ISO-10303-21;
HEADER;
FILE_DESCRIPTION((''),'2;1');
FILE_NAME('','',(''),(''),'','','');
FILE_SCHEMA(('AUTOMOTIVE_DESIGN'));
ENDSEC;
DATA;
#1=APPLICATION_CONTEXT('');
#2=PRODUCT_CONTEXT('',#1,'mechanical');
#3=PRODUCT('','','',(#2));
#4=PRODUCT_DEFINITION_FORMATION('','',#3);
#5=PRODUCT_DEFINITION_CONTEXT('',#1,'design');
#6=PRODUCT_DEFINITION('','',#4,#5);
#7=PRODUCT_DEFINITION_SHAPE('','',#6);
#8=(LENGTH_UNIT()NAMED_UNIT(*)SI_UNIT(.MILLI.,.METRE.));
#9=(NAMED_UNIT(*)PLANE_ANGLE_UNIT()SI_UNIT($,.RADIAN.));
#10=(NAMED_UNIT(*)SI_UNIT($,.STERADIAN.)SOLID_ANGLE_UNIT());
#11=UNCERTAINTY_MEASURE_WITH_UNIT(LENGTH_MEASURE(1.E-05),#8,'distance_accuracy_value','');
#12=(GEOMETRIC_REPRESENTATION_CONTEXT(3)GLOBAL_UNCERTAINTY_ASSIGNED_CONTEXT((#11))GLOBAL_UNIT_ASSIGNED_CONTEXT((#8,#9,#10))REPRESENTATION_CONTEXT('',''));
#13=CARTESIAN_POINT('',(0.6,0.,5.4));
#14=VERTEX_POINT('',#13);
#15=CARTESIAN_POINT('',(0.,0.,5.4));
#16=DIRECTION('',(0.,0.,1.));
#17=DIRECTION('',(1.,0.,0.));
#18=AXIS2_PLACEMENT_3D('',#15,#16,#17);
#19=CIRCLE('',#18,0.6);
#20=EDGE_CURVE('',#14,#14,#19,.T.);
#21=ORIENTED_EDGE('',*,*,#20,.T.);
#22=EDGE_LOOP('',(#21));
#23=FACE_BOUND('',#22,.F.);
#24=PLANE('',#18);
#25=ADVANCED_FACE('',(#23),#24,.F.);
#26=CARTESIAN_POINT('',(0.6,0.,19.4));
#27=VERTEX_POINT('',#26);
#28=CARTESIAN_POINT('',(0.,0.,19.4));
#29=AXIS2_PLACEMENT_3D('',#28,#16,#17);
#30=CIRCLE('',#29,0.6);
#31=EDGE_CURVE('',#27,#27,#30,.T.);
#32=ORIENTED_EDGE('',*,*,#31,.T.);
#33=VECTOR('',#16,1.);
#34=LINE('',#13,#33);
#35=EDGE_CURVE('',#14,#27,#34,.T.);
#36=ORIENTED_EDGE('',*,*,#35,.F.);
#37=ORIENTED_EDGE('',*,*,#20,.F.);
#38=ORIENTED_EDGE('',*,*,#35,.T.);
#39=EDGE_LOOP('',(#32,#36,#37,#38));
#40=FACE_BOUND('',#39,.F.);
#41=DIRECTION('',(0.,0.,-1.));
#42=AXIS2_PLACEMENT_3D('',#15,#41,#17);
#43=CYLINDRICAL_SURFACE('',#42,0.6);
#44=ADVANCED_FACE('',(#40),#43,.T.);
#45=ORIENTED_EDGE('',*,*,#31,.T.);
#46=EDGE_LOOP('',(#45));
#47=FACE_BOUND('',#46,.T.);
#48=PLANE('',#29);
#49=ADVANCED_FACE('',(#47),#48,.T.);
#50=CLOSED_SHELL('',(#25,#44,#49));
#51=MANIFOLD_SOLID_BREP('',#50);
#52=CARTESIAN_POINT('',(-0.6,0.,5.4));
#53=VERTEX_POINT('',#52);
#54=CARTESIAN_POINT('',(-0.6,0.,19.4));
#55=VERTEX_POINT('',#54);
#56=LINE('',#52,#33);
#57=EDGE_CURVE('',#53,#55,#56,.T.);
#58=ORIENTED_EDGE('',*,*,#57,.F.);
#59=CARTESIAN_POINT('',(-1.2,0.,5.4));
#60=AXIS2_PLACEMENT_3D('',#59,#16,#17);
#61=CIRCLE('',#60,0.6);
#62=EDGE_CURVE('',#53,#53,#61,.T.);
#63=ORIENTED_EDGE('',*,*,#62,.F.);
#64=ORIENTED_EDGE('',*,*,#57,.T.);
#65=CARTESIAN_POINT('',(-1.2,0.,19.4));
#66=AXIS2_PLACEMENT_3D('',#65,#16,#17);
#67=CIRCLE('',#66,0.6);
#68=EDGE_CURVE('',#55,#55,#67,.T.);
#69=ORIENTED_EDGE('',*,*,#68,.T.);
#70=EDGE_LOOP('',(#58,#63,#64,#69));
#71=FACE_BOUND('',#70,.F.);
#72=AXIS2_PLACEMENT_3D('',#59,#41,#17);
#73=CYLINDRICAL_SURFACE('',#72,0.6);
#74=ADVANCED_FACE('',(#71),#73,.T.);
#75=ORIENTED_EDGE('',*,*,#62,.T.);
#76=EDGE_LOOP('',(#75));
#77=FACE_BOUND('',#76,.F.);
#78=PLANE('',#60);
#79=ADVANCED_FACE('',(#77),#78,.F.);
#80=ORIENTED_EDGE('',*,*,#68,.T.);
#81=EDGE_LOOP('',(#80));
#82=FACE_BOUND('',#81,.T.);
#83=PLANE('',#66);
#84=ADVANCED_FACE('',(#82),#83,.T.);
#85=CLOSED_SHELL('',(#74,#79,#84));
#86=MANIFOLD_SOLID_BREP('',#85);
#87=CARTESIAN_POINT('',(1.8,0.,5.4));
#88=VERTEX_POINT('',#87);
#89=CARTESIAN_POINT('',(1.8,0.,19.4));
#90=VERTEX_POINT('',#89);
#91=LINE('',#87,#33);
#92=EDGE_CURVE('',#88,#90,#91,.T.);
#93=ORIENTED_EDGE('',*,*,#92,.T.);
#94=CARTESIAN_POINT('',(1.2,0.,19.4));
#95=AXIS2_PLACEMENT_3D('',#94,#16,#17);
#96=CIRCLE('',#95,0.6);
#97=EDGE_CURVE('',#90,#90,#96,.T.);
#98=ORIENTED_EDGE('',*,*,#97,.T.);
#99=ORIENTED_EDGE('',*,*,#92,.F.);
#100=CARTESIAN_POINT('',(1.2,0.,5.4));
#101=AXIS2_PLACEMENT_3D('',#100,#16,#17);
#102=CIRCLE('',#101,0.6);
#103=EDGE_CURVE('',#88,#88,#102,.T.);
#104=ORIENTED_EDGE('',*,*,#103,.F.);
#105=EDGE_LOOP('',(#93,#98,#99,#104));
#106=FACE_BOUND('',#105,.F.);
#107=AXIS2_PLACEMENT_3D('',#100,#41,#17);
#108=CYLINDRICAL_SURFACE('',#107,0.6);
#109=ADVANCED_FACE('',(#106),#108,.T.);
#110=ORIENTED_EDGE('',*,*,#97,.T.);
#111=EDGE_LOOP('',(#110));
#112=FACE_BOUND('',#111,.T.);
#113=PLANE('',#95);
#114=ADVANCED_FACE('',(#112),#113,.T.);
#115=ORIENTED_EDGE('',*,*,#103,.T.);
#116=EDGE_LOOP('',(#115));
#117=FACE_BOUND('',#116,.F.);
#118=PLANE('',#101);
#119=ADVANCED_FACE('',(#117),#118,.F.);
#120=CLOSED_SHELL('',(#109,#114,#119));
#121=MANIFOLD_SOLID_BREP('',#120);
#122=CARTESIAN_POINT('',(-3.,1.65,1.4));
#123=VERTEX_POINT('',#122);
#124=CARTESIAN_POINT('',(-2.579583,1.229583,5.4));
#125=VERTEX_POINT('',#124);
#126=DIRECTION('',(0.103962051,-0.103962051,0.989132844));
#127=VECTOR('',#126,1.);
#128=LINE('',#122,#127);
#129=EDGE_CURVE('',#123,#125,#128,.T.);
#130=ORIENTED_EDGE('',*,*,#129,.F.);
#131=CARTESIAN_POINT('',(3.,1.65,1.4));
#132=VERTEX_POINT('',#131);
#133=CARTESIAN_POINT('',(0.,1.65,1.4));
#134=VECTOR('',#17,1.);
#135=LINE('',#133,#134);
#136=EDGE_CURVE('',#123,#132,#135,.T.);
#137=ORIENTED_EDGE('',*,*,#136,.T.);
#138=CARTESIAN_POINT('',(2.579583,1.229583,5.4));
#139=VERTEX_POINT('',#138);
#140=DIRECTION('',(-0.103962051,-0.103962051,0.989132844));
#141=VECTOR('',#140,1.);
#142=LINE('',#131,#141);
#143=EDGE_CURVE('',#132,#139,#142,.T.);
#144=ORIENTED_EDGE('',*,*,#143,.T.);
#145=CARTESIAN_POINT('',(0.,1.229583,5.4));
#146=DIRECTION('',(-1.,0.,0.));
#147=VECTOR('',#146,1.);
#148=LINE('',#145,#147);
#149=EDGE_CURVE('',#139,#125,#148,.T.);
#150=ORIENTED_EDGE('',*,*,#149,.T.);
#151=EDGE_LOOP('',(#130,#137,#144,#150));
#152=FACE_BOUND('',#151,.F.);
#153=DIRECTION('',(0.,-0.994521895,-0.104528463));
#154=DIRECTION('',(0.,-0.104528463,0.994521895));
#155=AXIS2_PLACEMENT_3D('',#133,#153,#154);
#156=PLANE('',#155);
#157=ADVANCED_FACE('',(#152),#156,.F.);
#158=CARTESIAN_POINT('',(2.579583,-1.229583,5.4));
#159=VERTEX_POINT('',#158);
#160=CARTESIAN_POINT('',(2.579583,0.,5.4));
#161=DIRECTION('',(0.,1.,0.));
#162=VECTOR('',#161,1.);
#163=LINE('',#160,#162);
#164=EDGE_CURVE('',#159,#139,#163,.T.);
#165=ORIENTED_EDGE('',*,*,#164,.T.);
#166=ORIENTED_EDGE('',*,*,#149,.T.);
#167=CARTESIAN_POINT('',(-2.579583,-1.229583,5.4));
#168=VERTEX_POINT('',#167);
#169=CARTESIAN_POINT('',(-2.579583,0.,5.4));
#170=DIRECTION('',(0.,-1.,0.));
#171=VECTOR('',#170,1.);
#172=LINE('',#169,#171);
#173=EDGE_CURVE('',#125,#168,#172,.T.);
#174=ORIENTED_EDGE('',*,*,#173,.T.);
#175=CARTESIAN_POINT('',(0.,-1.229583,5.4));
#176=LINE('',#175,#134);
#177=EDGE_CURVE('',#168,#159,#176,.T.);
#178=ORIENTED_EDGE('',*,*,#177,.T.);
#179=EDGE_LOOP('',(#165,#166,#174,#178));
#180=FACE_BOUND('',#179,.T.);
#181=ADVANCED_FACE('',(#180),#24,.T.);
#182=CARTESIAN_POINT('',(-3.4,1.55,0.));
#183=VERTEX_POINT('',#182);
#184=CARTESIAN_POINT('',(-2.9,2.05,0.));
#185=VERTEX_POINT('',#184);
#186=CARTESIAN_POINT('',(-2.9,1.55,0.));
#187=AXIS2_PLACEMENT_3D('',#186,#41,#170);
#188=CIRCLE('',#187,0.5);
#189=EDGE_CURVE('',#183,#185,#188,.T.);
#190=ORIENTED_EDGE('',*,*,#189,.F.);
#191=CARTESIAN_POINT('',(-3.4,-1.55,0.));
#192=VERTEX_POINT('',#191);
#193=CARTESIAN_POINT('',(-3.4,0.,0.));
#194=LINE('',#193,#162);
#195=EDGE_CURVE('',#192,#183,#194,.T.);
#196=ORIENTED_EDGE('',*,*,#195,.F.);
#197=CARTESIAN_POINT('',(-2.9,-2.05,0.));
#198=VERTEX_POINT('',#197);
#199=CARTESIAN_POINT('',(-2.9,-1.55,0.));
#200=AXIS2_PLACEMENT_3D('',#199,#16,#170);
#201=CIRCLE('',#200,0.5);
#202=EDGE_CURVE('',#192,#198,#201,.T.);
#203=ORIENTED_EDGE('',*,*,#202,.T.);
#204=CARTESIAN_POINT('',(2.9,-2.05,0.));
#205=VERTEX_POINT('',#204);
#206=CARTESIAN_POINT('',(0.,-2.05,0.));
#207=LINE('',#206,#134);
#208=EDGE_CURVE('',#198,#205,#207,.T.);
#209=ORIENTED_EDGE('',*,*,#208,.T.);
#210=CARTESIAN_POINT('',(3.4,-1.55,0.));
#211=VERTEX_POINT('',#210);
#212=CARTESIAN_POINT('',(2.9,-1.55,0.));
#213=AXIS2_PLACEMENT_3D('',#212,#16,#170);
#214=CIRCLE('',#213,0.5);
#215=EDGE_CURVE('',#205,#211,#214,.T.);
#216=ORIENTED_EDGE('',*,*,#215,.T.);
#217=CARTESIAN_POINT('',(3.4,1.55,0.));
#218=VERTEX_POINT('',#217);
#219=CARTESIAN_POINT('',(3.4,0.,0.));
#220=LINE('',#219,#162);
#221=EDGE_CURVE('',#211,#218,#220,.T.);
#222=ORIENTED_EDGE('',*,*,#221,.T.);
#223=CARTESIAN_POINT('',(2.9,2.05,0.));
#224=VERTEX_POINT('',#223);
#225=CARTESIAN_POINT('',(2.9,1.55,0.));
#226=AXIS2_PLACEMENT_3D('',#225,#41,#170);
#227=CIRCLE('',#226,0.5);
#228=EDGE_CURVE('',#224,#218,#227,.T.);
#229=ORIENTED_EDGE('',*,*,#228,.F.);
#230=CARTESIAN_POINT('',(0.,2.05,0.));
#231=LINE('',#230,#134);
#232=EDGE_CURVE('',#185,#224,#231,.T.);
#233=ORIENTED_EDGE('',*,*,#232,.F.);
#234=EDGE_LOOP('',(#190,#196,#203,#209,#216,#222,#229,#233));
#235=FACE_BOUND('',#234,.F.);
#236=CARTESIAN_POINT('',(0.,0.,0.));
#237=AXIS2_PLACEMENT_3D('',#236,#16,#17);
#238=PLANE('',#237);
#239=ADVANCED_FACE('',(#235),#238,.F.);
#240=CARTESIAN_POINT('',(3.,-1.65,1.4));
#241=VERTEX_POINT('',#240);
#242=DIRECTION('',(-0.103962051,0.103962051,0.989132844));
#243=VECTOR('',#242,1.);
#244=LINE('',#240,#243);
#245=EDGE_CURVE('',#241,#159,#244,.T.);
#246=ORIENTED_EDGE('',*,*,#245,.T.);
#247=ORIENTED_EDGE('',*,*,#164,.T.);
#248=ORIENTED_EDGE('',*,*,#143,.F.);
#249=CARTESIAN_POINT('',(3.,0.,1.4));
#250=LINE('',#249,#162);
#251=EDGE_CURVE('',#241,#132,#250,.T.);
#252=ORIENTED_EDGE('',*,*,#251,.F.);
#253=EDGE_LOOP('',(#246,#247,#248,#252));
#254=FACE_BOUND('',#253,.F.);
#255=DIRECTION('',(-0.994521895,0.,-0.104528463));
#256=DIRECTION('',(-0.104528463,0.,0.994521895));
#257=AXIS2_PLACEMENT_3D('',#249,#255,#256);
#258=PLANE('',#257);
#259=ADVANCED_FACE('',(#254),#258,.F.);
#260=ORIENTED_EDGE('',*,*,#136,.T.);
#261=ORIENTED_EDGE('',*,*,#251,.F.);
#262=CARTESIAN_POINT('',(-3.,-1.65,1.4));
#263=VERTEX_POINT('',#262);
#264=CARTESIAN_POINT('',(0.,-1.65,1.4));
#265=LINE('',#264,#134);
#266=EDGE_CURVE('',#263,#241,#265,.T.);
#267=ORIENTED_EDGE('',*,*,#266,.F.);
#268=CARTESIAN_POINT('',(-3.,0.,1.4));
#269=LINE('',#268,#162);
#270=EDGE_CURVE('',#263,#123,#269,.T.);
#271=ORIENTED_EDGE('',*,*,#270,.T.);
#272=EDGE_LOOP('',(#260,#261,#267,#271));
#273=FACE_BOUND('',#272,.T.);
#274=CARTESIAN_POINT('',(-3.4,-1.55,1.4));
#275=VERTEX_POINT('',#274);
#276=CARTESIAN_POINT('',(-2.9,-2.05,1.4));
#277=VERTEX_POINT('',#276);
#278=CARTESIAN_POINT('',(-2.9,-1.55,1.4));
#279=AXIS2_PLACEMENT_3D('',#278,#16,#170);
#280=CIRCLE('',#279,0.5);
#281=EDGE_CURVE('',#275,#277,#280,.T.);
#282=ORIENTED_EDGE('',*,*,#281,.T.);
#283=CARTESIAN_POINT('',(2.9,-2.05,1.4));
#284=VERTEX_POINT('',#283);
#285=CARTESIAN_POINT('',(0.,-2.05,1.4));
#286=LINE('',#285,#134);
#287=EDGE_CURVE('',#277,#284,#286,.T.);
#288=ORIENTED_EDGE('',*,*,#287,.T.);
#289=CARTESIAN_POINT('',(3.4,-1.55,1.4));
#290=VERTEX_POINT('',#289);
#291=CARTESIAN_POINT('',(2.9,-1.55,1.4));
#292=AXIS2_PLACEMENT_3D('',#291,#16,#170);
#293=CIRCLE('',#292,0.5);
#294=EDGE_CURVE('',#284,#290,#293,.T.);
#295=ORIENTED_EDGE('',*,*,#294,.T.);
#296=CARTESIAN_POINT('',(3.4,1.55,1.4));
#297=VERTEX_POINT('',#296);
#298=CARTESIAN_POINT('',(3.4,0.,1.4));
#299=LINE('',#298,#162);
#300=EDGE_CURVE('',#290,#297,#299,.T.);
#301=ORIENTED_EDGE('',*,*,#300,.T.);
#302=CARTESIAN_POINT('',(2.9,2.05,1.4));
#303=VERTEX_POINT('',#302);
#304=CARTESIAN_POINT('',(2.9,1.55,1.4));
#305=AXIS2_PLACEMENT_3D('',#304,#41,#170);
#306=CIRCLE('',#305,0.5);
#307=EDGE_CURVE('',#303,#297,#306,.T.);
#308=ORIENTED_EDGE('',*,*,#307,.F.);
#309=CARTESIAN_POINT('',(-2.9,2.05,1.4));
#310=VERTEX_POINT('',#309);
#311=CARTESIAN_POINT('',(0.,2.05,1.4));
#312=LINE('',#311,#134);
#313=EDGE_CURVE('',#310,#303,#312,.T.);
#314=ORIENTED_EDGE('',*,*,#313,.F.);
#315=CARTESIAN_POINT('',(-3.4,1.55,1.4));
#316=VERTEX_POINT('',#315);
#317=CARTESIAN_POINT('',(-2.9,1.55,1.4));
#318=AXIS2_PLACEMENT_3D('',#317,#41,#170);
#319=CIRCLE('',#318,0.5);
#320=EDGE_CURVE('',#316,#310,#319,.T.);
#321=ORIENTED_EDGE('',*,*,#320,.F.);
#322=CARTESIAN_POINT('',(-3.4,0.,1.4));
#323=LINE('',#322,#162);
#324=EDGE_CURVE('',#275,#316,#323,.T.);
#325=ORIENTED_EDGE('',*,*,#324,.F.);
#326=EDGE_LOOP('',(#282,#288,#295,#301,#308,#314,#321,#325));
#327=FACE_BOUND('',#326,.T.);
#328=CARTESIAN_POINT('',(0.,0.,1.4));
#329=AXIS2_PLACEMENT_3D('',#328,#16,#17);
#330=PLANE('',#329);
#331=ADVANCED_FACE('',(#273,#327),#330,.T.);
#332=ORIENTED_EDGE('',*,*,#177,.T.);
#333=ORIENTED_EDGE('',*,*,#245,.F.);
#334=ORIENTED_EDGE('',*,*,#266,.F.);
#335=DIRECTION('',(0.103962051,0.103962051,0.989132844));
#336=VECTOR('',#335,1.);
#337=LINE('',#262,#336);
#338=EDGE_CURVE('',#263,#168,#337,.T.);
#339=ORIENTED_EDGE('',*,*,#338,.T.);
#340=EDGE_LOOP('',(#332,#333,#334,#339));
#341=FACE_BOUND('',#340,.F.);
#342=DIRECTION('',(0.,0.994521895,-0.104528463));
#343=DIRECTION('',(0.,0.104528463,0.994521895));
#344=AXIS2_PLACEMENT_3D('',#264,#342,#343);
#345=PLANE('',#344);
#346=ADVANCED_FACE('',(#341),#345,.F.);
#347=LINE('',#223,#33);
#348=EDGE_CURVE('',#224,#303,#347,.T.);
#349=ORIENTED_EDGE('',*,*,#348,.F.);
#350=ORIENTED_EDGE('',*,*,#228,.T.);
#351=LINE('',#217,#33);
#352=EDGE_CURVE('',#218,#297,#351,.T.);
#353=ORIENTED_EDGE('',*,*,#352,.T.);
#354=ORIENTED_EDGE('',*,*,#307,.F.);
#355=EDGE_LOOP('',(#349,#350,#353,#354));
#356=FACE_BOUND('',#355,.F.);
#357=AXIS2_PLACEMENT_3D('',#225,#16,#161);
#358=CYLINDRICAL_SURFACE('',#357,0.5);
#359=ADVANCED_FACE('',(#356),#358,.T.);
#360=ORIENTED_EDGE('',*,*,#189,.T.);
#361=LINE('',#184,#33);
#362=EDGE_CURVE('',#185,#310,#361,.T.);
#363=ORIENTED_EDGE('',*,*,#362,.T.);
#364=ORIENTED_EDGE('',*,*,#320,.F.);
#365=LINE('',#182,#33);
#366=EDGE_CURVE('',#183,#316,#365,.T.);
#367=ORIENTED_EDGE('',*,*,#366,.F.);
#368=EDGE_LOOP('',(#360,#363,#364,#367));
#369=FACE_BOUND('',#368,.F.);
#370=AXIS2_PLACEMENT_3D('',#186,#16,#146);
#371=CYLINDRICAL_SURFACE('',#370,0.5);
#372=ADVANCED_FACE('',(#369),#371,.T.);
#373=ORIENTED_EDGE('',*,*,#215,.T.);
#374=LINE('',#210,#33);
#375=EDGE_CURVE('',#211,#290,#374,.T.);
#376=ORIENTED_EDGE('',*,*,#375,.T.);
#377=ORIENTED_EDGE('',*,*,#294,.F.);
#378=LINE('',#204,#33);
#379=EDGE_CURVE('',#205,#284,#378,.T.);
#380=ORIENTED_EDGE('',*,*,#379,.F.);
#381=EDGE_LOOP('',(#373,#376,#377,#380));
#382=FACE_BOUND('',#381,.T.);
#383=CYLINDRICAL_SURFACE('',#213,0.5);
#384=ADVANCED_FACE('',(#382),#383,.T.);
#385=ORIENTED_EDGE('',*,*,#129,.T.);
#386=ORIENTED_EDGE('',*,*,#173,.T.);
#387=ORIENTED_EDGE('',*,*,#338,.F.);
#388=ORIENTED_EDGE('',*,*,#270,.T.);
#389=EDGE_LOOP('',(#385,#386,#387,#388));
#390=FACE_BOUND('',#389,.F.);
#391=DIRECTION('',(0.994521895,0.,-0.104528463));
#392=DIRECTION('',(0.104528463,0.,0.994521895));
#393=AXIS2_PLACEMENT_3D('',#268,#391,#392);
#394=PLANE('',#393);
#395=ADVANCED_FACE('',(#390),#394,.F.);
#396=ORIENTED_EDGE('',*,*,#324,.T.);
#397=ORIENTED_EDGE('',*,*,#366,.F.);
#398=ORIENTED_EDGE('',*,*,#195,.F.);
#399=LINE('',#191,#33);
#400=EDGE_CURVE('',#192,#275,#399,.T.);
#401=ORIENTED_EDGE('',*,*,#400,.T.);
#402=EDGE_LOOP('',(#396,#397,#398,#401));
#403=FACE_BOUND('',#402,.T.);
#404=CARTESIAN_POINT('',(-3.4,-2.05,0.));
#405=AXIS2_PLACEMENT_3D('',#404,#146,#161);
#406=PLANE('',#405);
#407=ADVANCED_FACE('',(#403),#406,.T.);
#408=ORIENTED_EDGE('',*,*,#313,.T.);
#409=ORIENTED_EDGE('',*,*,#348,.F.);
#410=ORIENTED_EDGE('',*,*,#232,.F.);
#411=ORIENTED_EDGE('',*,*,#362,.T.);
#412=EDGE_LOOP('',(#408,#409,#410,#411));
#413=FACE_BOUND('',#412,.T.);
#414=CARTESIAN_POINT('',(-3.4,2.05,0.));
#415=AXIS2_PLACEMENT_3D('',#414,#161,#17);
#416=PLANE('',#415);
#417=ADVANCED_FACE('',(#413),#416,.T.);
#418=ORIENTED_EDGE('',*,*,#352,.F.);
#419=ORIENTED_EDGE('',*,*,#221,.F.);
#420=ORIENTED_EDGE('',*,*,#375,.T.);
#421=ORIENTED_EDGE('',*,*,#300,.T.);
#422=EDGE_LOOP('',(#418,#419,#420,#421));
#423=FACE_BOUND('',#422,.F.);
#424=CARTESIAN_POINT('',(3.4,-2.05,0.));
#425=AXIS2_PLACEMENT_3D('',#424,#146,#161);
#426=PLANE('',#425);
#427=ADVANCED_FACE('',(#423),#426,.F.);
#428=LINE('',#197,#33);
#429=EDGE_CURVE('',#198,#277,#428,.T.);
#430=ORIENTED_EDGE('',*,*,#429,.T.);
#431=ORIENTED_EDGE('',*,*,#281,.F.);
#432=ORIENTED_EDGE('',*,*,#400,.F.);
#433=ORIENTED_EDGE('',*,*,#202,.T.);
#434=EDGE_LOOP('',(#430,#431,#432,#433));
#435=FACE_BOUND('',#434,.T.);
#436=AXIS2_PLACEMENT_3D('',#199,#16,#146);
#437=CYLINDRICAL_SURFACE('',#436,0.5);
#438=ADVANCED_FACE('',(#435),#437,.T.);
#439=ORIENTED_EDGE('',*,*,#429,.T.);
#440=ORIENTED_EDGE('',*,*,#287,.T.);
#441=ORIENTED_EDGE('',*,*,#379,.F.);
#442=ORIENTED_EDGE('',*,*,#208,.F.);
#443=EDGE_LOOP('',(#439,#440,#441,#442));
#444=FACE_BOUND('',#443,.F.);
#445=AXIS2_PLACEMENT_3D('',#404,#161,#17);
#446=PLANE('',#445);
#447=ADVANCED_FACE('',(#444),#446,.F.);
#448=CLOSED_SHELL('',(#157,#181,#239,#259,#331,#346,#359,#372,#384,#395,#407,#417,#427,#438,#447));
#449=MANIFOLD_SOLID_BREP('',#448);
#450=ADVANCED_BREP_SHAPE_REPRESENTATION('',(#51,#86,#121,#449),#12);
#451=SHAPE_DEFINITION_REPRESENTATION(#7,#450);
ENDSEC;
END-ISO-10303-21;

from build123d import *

# Parameters (mm, degrees)
SKETCH1_W           = 6.8
SKETCH1_H           = 4.1
BOSS_EXTRUDE1_DEPTH = 1.4
SKETCH2_W           = 6
SKETCH2_H           = 3.3
BOSS_EXTRUDE2_DEPTH = 4
BOSS_EXTRUDE2_TAPER = 6
FILLET1_R           = 0.5
SKETCH3_R           = 0.6
POSITIVE_DEPTH      = 14
SKETCH4_R           = 0.6
SIGNAL_DEPTH        = 14
SKETCH5_R           = 0.6
NEGATIVE_DEPTH      = 14


with BuildPart() as part:
    # Sketch1 → Boss-Extrude1 (new body)
    with BuildSketch(Plane.XY):
        Rectangle(SKETCH1_W, SKETCH1_H)
    extrude(amount=BOSS_EXTRUDE1_DEPTH)

    # Sketch2 → Boss-Extrude2 (add)
    with BuildSketch(Plane.XY.offset(1.4)):
        Rectangle(SKETCH2_W, SKETCH2_H)
    extrude(amount=BOSS_EXTRUDE2_DEPTH, taper=BOSS_EXTRUDE2_TAPER)

    # Fillet1
    fillet1_edges = [part.edges().sort_by_distance(p)[0] for p in [
        (3.4, -2.05, 0.7),
        (-3.4, -2.05, 0.7),
        (-3.4, 2.05, 0.7),
        (3.4, 2.05, 0.7),
    ]]
    fillet(fillet1_edges, radius=FILLET1_R)


with BuildPart() as body_2:
    # Sketch3 → POSITIVE (new body)
    with BuildSketch(Plane.XY.offset(5.4)):
        Circle(SKETCH3_R)
    extrude(amount=POSITIVE_DEPTH)


with BuildPart() as body_3:
    # Sketch4 → SIGNAL (new body)
    with BuildSketch(Plane.XY.offset(5.4)):
        with Locations((1.2, 0)):
            Circle(SKETCH4_R)
    extrude(amount=SIGNAL_DEPTH)


with BuildPart() as body_4:
    # Sketch5 → NEGATIVE (new body)
    with BuildSketch(Plane.XY.offset(5.4)):
        with Locations((-1.2, 0)):
            Circle(SKETCH5_R)
    extrude(amount=NEGATIVE_DEPTH)


solid = Compound([part.part, body_2.part, body_3.part, body_4.part])
